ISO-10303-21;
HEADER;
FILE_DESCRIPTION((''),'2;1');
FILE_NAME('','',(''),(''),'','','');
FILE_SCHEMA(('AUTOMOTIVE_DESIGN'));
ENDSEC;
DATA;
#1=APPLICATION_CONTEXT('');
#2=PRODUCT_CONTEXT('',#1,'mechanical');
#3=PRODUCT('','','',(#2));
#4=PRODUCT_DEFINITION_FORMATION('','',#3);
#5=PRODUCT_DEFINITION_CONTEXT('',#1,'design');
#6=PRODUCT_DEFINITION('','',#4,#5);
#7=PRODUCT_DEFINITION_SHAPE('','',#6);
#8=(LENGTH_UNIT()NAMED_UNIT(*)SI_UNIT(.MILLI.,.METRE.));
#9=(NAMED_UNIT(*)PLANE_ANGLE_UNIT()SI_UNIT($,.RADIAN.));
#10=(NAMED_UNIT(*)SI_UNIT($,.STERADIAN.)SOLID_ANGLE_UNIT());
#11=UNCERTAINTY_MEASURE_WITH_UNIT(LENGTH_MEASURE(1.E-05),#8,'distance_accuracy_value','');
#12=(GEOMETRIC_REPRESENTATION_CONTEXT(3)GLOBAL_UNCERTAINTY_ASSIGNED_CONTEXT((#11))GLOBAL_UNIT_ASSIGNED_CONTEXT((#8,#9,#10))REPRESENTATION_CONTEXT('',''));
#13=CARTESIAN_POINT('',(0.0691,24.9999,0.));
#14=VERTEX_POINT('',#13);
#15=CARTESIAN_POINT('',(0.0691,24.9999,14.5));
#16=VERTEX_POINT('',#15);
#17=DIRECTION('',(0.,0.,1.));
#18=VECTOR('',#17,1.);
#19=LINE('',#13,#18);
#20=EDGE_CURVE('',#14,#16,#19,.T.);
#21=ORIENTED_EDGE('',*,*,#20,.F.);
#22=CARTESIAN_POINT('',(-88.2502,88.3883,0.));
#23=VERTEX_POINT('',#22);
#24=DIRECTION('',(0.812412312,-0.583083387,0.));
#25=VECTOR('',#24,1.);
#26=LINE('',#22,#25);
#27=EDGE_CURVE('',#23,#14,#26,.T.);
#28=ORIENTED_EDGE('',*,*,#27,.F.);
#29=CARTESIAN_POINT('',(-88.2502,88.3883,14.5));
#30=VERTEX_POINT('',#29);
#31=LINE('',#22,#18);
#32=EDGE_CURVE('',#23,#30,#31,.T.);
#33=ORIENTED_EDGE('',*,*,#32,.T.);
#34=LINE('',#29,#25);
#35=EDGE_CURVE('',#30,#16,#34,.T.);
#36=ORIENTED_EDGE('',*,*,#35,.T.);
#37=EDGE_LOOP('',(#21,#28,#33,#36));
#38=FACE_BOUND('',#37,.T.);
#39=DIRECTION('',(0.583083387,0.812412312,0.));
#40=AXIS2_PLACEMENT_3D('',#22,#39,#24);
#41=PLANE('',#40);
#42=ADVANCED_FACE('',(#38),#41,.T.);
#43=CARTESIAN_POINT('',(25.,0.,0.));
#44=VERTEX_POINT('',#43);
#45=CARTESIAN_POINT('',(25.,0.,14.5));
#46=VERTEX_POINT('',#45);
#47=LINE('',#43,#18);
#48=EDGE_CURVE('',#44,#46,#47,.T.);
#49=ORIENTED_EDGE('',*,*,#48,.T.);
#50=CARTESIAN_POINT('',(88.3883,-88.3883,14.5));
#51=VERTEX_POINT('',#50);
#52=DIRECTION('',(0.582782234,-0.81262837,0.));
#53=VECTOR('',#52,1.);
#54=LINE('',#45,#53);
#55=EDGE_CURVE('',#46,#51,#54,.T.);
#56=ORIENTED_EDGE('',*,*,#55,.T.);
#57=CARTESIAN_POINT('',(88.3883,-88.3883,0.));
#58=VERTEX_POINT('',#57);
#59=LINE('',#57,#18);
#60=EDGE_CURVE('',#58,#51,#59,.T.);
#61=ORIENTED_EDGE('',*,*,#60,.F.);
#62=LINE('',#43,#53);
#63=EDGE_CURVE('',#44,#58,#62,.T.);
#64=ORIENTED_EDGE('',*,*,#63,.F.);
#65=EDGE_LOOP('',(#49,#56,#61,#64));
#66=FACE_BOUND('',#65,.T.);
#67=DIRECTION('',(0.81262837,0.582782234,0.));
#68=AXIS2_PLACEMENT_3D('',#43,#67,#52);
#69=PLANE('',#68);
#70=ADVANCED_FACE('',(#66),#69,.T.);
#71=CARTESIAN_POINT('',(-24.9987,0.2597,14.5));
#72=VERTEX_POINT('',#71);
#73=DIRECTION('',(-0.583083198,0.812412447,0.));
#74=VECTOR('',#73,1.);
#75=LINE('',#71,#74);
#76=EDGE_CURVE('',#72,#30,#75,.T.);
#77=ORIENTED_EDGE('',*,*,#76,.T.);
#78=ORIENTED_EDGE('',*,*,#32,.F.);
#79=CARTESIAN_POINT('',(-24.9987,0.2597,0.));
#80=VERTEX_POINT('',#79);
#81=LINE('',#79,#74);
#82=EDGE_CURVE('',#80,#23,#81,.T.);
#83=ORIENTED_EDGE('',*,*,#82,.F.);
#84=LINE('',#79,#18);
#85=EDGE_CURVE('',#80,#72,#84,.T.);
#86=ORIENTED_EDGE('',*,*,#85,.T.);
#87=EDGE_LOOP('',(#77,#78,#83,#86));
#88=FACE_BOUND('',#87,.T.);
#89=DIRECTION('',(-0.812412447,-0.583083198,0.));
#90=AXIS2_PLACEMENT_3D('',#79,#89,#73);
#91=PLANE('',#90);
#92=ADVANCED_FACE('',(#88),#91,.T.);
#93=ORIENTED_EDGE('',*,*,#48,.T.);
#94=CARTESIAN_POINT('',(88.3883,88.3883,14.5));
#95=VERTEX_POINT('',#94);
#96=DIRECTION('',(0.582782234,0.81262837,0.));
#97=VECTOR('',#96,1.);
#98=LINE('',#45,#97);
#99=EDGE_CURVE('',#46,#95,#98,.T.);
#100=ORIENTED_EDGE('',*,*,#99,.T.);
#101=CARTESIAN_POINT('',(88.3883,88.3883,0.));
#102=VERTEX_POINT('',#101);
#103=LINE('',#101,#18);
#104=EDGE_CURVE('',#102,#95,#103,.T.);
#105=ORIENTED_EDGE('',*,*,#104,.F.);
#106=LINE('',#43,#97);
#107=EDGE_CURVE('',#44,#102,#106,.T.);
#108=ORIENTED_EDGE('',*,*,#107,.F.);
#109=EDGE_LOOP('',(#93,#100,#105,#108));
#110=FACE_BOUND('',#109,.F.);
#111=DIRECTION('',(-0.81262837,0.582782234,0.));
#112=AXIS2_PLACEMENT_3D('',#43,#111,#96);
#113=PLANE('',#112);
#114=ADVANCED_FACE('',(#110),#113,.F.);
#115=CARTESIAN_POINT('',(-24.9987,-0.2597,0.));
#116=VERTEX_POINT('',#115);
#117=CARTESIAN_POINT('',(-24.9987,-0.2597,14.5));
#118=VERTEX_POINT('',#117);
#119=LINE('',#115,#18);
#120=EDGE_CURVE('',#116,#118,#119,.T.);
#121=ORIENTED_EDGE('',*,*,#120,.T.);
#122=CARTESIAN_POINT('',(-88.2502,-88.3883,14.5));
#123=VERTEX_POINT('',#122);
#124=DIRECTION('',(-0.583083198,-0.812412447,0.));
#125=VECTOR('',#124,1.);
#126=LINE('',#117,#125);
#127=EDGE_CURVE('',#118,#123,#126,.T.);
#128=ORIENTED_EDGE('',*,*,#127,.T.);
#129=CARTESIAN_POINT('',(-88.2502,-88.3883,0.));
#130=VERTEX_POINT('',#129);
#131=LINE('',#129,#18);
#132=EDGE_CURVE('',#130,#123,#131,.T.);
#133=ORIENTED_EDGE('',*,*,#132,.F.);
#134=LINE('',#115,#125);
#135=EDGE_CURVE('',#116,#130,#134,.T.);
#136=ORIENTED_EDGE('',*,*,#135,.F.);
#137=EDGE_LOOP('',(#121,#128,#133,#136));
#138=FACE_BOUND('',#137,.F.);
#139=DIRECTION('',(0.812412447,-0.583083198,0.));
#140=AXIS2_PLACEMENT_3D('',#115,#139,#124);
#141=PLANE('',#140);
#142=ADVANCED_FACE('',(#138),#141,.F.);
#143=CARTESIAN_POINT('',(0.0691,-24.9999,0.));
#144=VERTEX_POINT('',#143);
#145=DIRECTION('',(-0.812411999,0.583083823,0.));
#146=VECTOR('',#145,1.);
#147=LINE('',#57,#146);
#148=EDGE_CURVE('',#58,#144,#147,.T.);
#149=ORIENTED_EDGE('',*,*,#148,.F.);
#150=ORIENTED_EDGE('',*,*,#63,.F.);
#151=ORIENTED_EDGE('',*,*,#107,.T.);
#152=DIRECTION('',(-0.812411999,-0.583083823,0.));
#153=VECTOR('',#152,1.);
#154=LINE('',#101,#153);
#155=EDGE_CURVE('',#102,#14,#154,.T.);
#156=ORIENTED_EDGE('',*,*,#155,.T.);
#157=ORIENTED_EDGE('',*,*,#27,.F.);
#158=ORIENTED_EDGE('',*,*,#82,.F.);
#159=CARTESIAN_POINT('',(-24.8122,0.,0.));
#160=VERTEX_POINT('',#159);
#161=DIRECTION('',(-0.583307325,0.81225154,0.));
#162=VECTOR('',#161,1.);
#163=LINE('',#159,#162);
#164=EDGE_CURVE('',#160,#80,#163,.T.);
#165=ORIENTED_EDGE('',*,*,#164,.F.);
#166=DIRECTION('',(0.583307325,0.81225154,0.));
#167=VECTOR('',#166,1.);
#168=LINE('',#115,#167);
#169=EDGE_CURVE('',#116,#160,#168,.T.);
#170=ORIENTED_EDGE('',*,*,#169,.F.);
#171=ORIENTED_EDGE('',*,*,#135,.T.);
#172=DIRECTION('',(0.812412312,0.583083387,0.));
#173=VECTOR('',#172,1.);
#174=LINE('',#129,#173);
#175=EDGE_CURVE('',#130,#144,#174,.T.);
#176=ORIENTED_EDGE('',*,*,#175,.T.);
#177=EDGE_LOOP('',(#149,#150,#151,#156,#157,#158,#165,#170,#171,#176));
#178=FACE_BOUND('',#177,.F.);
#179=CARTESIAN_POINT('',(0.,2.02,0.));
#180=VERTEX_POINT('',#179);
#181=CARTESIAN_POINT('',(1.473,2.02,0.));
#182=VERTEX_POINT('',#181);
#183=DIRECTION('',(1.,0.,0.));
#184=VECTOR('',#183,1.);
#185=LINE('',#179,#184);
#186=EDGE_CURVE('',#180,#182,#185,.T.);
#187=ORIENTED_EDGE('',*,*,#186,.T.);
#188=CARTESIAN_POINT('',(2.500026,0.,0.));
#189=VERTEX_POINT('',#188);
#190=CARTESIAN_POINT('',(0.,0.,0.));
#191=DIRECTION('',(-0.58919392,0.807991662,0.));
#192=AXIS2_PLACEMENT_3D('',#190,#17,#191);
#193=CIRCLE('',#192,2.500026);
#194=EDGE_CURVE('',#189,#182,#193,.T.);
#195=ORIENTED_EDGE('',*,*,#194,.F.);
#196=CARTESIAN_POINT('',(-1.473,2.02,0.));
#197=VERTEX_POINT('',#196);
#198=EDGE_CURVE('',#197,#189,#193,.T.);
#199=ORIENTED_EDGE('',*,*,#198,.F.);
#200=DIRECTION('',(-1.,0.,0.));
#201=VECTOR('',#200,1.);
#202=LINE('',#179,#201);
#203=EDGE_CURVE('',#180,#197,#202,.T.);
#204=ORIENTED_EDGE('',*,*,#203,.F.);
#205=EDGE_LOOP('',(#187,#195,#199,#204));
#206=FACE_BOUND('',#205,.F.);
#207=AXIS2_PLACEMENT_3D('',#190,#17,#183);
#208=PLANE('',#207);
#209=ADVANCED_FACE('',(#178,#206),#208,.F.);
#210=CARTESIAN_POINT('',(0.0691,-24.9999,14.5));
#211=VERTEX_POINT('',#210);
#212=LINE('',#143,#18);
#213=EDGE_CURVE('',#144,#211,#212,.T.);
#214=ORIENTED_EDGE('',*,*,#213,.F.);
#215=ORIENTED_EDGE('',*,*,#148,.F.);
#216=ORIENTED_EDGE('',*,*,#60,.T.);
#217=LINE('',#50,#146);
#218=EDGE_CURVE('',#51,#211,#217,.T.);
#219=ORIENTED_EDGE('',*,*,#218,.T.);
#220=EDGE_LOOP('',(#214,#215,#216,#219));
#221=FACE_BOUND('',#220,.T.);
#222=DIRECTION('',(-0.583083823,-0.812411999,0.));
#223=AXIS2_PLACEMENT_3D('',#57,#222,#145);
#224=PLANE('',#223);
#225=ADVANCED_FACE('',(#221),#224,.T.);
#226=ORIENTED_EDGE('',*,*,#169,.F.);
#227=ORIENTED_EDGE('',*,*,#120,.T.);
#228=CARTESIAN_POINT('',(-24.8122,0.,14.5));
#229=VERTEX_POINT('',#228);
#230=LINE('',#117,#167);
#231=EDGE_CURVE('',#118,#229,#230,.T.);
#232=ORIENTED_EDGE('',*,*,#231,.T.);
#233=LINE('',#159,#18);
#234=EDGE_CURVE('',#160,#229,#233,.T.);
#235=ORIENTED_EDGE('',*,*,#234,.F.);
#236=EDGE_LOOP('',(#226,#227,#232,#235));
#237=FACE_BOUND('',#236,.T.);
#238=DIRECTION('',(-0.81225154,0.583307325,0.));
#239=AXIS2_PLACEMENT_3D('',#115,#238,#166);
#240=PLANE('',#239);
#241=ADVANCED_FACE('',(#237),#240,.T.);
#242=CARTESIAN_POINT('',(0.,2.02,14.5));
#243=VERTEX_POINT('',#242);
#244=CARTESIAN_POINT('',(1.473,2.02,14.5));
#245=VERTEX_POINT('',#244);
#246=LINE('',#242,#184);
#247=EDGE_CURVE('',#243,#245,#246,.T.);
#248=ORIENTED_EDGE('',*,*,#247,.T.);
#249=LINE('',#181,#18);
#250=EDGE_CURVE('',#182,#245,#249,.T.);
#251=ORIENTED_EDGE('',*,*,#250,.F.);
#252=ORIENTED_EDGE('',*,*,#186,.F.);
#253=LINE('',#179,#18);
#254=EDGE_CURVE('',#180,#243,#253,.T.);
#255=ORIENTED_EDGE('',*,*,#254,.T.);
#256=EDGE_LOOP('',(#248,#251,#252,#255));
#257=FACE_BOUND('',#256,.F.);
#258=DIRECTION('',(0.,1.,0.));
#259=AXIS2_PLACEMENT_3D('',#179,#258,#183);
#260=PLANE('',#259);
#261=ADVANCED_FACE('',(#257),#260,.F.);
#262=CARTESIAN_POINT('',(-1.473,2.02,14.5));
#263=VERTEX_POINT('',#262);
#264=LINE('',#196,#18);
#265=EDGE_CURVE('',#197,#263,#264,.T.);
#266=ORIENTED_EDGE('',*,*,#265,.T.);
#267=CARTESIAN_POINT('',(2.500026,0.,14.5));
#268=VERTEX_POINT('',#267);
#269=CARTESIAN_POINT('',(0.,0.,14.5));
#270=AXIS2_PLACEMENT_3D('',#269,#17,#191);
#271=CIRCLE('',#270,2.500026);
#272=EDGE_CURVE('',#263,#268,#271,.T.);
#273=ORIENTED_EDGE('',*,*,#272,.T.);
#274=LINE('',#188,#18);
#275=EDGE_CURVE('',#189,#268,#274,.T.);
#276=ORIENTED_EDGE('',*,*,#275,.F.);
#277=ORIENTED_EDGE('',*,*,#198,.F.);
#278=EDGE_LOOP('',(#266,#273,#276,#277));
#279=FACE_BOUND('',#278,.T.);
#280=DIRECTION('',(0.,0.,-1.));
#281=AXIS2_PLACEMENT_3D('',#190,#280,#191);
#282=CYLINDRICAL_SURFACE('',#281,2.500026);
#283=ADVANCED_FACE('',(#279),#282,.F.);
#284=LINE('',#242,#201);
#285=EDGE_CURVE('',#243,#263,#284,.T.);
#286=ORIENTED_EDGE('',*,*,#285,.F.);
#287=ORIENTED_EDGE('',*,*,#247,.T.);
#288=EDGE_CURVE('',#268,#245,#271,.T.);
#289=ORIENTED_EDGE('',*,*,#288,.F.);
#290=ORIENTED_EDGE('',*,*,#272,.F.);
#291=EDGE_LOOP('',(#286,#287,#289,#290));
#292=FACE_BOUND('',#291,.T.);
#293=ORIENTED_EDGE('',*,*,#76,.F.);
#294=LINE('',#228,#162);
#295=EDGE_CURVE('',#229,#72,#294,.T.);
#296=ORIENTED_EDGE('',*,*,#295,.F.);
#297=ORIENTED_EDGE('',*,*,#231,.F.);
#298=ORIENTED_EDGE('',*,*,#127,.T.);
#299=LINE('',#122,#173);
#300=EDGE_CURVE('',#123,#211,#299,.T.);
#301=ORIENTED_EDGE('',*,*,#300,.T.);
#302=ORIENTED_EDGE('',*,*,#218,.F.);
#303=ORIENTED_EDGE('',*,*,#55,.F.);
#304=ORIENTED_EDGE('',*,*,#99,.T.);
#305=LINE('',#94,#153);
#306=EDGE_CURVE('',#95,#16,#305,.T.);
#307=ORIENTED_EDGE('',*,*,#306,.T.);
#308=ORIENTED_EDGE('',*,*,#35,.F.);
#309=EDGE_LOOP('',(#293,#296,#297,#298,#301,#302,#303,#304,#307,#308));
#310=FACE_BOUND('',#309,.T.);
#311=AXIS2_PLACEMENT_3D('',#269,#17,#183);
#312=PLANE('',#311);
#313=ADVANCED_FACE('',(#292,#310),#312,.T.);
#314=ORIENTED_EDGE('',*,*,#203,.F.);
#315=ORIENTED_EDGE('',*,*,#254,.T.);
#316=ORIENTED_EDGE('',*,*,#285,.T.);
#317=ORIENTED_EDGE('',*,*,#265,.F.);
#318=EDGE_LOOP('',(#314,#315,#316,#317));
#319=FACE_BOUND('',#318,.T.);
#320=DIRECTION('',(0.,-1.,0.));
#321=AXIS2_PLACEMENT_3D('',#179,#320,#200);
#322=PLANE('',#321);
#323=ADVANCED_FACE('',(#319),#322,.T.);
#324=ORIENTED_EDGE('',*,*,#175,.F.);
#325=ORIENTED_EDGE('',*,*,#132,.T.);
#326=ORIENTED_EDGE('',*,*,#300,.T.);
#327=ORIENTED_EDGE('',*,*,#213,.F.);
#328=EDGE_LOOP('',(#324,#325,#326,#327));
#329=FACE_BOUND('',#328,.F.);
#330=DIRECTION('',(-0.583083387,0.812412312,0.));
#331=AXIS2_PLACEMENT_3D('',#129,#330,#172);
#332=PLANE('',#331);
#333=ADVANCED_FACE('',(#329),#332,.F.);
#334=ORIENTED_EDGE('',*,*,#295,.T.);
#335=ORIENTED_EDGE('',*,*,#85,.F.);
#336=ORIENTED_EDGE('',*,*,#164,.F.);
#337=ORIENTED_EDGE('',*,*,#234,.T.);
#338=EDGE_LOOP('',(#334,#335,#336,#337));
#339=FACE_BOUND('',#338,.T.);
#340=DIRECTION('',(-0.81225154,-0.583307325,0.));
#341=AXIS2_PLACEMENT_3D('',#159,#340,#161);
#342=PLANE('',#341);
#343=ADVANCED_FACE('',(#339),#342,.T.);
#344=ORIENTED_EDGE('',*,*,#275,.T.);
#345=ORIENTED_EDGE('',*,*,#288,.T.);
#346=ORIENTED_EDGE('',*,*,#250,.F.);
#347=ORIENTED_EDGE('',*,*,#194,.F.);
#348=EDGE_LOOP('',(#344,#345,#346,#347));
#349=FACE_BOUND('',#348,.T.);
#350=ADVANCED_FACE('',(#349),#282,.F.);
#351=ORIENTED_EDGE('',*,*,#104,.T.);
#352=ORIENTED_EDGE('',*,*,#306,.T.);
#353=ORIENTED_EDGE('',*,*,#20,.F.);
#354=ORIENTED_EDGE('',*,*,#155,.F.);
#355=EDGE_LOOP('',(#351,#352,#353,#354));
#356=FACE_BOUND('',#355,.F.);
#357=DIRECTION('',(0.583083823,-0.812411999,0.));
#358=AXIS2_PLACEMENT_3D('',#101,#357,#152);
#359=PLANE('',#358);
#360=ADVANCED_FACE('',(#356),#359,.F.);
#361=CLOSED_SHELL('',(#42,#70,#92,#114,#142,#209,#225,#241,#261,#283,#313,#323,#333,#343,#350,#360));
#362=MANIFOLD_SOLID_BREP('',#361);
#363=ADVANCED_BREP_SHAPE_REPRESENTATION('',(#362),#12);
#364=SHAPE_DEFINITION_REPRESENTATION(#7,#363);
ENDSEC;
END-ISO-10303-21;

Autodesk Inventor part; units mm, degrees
ref_plane "YZ Plane" through (0, 0, 0) normal (1, 0, 0) x (0, 1, 0)
ref_plane "XZ Plane" through (0, 0, 0) normal (0, 1, 0) x (-1, 0, 0)
ref_plane "XY Plane" through (0, 0, 0) normal (0, 0, 1) x (1, 0, 0)
sketch "Sketch1" plane through (0, 0, 0) normal (0, 0, 1) x (1, 0, 0)
  arc A0 (-1.473, 2.02) -> (1.473, 2.02) centre (0, 0) ccw
  line L0 (0, 2.5) -> (0, 2.02)
  line L1 (0, 2.02) -> (1.473, 2.02)
  line L2 (0, 2.02) -> (-1.473, 2.02)
  line L3 (0, 0) -> (125, 0) construction
  line L4 (88.3883, 88.3883) -> (0.0691, 24.9999)
  line L5 (-88.2502, 88.3883) -> (0.0691, 24.9999)
  line L6 (0.0691, 24.9999) -> (-88.2502, 88.3883)
  line L7 (88.3883, 88.3883) -> (0.0691, 24.9999)
  line L8 (25, 0) -> (88.3883, 88.3883)
  line L9 (-24.9987, 0.2597) -> (-88.2502, 88.3883)
  line L10 (0, 0) -> (7.0052, 0)
  line L11 (88.3883, -88.3883) -> (0.0691, -24.9999)
  line L12 (-88.2502, -88.3883) -> (0.0691, -24.9999)
  line L13 (25, 0) -> (88.3883, -88.3883)
  line L14 (-24.9987, -0.2597) -> (-88.2502, -88.3883)
  line L15 (0.0691, -24.9999) -> (-88.2502, -88.3883)
  line L16 (-88.2502, -88.3883) -> (-24.9987, -0.2597)
  line L17 (88.3883, -88.3883) -> (0.0691, -24.9999)
  line L18 (88.3883, -88.3883) -> (25, 0)
  line L19 (88.3883, -88.3883) -> (0.0691, -24.9999)
  line L20 (0.0691, -24.9999) -> (-88.2502, -88.3883)
  line L21 (-88.2502, -88.3883) -> (-24.9987, -0.2597)
  line L22 (-24.9987, -0.2597) -> (-24.8122, 0)
  line L23 (-24.8122, 0) -> (-24.9987, 0.2597)
  dimension "d0" = 5
  dimension "d1" = 0.48
  dimension "d3" = 125
extrude "Extrusion1" add sketch "Sketch1" along normal blind 14.5
sketch "Sketch2" plane through (0, 0, 14.5) normal (0, 0, 1) x (1, 0, 0)
  line L0 (0.0691, 24.9999) -> (-88.2502, 88.3883) projected
  line L1 (0.0691, 24.9999) -> (-88.2502, 88.3883)
  line L2 (88.3883, 88.3883) -> (0.0691, 24.9999) projected
  line L3 (-88.2502, 88.3883) -> (88.3883, 88.3883)
  line L4 (88.3883, 88.3883) -> (0.0691, 24.9999)
  point P0 (0, 0)
properties part number "Dispensing Gear"
